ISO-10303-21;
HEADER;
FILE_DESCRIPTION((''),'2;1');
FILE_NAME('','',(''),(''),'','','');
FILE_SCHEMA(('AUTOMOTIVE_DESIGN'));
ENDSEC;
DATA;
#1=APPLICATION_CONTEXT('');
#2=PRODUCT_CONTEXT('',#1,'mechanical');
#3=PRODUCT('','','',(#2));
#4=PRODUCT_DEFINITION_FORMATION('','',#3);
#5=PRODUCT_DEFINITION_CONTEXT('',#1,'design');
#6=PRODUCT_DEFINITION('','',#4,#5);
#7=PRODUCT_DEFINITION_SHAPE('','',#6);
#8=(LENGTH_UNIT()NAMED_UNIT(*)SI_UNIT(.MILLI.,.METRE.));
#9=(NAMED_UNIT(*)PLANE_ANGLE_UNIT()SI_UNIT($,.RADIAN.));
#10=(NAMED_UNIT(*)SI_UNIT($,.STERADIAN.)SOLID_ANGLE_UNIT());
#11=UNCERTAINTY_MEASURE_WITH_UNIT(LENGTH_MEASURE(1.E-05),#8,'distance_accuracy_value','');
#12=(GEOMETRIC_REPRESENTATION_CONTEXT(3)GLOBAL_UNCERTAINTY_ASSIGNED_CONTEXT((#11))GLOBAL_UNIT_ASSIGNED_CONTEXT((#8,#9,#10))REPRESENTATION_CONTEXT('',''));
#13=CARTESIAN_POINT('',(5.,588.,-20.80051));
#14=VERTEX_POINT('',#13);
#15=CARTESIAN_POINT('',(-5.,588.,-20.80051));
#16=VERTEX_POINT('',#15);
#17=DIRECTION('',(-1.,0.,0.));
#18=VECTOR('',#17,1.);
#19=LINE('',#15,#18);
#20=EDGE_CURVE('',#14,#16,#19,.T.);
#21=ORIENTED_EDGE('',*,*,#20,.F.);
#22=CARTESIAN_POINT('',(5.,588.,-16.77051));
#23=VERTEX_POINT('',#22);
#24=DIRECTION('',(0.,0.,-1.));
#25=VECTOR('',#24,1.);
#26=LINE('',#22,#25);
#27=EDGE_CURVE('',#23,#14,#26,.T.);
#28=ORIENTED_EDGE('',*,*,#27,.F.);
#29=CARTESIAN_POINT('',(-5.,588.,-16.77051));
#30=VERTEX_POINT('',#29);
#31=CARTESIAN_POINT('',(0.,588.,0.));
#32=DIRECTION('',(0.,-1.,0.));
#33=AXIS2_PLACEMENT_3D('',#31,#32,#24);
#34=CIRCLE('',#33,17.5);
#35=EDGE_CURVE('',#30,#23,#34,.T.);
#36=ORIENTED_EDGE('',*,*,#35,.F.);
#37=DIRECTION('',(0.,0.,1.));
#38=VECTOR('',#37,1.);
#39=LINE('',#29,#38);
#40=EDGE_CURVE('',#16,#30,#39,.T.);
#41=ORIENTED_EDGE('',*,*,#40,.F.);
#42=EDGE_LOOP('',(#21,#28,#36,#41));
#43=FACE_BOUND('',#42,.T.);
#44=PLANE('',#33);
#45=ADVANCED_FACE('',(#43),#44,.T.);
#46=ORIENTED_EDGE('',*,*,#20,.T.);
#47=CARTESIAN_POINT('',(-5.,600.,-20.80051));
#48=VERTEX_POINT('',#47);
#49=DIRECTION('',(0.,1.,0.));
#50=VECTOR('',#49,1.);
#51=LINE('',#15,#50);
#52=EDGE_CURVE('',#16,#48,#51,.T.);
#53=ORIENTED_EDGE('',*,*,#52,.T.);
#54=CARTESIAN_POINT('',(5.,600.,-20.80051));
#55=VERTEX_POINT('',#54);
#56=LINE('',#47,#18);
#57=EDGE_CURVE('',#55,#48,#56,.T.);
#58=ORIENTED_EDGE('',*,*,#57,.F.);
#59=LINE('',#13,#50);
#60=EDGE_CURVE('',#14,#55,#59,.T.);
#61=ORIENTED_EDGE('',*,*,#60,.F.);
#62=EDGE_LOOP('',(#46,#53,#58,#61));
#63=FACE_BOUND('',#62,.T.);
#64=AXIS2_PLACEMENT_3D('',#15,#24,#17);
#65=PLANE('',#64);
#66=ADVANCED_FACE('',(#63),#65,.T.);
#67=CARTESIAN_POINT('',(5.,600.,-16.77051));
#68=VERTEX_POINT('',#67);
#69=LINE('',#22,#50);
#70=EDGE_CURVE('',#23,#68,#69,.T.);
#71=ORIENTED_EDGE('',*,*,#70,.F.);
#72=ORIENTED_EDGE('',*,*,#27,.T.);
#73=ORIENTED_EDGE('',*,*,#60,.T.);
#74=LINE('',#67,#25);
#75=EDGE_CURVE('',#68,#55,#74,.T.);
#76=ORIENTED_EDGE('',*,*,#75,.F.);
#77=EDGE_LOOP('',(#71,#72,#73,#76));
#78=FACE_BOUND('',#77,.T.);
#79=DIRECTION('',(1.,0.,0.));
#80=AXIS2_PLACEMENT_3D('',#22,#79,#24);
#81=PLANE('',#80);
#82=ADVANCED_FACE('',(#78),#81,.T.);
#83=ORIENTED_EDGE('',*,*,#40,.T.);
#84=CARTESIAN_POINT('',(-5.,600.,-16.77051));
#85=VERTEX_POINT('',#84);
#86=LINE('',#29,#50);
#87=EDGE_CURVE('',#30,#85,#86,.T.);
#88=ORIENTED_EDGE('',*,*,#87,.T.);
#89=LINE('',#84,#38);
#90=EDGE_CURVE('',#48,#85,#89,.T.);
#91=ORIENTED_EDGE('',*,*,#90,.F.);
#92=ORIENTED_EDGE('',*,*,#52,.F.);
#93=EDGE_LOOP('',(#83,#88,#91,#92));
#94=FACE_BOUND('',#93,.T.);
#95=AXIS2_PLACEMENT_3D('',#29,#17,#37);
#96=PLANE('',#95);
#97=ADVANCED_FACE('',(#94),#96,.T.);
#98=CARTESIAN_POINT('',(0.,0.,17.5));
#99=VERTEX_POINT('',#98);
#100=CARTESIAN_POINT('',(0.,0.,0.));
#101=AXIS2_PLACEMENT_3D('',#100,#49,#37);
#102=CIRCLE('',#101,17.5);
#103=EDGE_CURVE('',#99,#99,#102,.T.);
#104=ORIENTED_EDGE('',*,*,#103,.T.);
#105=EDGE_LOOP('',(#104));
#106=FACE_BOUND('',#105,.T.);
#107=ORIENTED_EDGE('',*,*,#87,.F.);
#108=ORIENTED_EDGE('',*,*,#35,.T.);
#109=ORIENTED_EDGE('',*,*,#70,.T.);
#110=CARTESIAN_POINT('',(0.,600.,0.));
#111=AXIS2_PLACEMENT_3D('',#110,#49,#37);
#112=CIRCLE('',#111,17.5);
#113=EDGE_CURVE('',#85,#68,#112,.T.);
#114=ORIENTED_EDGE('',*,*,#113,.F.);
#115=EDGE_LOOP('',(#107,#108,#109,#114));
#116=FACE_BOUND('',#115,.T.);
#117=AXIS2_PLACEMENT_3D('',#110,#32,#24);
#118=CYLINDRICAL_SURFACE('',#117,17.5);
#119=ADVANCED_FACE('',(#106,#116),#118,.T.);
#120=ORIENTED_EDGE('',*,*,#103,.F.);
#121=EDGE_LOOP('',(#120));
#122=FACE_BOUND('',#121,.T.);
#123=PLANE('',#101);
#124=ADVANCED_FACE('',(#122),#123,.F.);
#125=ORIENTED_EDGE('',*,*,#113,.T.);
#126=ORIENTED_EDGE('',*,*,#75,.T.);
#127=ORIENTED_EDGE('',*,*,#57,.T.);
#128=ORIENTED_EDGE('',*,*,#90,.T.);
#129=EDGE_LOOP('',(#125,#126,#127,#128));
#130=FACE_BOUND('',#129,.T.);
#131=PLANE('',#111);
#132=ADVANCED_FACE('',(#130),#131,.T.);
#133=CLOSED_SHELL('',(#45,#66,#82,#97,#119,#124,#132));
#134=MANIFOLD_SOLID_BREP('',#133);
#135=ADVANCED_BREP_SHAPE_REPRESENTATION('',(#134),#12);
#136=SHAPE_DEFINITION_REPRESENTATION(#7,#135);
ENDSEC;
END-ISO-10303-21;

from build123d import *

# Parameters (mm, degrees)
SKETCH1_R           = 17.5
BOSS_EXTRUDE1_DEPTH = 600
SKETCH5_W           = 10
SKETCH5_H           = 4.03
BOSS_EXTRUDE2_DEPTH = 12


with BuildPart() as part:
    # Sketch1 → Boss-Extrude1 (new body)
    with BuildSketch(Plane(origin=(0, 0, 0), x_dir=(1, 0, 0), z_dir=(0, 1, 0))):
        Circle(SKETCH1_R)
    extrude(amount=BOSS_EXTRUDE1_DEPTH)

    # Sketch5 → Boss-Extrude2 (add)
    with BuildSketch(Plane(origin=(0, 600, 0), x_dir=(1, 0, 0), z_dir=(0, 1, 0))):
        with Locations((0, 18.78551)):
            Rectangle(SKETCH5_W, SKETCH5_H)
    extrude(amount=-BOSS_EXTRUDE2_DEPTH)


solid = part.part
